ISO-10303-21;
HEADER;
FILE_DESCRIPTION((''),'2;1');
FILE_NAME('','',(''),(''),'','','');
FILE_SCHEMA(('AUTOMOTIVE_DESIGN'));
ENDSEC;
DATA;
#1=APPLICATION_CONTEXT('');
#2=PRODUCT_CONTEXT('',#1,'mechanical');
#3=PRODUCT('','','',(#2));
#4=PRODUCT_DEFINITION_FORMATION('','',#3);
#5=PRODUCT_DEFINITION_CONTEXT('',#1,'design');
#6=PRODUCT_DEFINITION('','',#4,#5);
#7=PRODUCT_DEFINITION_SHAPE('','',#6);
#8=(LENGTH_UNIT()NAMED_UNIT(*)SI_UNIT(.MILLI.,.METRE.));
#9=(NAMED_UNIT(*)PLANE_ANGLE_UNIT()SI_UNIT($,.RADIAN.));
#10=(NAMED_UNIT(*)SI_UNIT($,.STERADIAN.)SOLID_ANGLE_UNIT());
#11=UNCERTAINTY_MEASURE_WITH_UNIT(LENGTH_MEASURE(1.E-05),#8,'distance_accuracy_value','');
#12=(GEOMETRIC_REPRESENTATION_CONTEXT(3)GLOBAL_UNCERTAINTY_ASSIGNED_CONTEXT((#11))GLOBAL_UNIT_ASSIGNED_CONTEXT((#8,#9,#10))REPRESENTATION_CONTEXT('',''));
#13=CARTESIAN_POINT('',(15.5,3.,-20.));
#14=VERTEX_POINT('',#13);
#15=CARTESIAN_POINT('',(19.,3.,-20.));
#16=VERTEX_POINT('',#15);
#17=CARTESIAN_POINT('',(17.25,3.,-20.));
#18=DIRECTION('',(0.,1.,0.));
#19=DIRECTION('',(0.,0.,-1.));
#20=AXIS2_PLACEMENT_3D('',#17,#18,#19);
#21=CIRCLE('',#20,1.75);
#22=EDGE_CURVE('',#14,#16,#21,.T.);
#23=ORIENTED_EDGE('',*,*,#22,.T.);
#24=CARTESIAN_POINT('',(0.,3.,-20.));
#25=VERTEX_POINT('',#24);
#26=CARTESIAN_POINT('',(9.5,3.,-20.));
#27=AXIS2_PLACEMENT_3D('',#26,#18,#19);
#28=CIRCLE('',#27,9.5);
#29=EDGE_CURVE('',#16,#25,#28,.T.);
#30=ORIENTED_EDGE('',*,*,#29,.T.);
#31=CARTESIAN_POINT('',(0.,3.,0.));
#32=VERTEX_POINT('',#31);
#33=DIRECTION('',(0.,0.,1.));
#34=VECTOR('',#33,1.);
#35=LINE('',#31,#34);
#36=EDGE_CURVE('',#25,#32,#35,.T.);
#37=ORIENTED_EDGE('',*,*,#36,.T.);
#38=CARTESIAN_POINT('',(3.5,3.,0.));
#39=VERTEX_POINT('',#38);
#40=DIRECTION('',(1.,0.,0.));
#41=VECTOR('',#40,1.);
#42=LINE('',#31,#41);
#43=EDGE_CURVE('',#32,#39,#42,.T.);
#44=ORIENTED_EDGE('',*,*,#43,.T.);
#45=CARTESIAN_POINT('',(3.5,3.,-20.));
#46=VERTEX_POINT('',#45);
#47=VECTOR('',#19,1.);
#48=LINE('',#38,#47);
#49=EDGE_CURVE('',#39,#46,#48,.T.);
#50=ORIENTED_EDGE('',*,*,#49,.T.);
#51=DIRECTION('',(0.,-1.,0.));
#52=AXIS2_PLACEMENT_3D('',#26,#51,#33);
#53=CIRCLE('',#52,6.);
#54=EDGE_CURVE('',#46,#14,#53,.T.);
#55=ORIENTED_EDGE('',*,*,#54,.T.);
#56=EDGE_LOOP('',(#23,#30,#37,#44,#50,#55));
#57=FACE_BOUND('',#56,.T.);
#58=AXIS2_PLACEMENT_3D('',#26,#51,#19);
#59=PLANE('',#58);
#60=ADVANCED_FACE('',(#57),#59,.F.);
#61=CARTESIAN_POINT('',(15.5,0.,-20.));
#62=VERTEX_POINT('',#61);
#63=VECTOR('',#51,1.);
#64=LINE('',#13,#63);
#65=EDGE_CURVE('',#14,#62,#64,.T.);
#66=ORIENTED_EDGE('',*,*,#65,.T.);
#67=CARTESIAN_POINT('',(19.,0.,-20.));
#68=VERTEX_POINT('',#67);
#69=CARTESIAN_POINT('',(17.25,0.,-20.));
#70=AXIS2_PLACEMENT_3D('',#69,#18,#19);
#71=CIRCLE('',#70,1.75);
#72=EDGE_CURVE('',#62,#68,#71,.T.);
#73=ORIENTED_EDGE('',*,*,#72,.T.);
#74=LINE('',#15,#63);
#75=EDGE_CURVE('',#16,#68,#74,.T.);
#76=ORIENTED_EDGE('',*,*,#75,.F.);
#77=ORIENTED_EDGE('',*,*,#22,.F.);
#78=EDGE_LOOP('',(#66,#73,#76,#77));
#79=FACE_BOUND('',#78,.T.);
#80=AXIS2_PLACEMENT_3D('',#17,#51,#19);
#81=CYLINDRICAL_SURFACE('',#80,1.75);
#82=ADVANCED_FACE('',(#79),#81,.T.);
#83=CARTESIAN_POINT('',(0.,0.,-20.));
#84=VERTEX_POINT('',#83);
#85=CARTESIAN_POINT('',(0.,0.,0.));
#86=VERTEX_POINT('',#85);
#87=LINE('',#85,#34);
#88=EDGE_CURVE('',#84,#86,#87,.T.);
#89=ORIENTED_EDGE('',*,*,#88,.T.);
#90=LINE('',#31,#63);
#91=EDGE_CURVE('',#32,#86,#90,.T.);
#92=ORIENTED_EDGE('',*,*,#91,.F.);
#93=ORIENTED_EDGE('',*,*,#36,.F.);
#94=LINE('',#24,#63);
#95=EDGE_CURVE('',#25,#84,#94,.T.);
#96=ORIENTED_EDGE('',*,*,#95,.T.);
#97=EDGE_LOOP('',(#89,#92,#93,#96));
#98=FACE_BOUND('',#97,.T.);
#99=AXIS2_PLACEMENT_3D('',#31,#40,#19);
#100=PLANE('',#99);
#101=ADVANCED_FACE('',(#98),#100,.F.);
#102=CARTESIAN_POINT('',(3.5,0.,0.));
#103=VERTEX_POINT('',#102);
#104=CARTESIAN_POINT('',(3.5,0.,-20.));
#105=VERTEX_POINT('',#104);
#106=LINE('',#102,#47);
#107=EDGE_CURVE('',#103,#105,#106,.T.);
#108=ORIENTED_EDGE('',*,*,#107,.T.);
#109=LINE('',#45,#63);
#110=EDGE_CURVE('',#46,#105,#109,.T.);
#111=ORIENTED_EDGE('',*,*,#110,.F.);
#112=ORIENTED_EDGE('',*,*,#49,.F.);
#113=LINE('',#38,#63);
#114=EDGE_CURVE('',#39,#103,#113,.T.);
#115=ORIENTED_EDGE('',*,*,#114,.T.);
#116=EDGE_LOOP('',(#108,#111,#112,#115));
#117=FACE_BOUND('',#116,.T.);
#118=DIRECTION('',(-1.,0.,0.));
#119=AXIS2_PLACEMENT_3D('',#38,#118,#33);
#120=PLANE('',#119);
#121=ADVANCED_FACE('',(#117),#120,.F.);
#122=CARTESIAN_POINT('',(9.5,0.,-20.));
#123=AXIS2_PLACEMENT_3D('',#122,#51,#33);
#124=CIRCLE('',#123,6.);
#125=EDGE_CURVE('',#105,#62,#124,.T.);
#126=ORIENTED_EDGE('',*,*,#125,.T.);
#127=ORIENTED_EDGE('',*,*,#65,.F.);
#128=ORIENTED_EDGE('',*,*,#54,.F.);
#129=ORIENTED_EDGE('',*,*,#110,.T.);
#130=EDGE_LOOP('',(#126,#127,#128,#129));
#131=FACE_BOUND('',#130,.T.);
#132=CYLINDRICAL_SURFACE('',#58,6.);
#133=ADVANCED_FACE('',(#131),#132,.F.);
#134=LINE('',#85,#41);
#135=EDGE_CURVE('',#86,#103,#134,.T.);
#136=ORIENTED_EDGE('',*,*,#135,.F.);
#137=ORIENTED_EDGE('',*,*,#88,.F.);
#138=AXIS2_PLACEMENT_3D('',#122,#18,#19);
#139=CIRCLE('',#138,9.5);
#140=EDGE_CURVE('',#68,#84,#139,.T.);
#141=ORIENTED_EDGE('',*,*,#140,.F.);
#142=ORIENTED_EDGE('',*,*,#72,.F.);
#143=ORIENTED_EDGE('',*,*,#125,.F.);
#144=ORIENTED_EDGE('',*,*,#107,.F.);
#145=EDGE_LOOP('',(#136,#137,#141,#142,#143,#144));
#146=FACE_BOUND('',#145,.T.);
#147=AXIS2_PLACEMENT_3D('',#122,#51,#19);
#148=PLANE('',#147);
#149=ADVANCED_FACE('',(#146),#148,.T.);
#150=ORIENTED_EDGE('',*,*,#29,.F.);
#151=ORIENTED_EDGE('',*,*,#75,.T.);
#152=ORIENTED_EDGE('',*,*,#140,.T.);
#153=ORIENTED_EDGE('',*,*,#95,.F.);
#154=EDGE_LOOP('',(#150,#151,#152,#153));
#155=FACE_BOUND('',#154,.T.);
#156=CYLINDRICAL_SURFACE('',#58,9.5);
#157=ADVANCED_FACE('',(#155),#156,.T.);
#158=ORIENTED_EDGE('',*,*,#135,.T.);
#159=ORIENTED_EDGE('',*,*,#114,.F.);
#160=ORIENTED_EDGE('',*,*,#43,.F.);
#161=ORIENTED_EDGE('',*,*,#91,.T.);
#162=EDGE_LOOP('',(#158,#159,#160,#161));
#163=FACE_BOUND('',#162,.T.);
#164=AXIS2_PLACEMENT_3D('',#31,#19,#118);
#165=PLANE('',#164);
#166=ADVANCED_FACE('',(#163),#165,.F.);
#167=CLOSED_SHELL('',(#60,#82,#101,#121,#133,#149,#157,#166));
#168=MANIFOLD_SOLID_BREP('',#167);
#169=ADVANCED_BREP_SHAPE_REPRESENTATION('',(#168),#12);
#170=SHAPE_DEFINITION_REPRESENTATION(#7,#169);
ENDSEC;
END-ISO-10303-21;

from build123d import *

# Parameters (mm, degrees)
BOSS_EXTRUDE1_DEPTH = 3


with BuildPart() as part:
    # Sketch1 → Boss-Extrude1 (new body)
    with BuildSketch(Plane(origin=(0, 0, 0), x_dir=(1, 0, 0), z_dir=(0, 1, 0))):
        with BuildLine():
            Line((0, 0), (3.5, 0))
            Line((3.5, 0), (3.5, 20))
            ThreePointArc((3.5, 20), (9.5, 26), (15.5, 20))
            ThreePointArc((15.5, 20), (17.25, 18.25), (19, 20))
            ThreePointArc((19, 20), (9.5, 29.5), (0, 20))
            Line((0, 20), (0, 0))
        make_face()
    extrude(amount=BOSS_EXTRUDE1_DEPTH)


solid = part.part
